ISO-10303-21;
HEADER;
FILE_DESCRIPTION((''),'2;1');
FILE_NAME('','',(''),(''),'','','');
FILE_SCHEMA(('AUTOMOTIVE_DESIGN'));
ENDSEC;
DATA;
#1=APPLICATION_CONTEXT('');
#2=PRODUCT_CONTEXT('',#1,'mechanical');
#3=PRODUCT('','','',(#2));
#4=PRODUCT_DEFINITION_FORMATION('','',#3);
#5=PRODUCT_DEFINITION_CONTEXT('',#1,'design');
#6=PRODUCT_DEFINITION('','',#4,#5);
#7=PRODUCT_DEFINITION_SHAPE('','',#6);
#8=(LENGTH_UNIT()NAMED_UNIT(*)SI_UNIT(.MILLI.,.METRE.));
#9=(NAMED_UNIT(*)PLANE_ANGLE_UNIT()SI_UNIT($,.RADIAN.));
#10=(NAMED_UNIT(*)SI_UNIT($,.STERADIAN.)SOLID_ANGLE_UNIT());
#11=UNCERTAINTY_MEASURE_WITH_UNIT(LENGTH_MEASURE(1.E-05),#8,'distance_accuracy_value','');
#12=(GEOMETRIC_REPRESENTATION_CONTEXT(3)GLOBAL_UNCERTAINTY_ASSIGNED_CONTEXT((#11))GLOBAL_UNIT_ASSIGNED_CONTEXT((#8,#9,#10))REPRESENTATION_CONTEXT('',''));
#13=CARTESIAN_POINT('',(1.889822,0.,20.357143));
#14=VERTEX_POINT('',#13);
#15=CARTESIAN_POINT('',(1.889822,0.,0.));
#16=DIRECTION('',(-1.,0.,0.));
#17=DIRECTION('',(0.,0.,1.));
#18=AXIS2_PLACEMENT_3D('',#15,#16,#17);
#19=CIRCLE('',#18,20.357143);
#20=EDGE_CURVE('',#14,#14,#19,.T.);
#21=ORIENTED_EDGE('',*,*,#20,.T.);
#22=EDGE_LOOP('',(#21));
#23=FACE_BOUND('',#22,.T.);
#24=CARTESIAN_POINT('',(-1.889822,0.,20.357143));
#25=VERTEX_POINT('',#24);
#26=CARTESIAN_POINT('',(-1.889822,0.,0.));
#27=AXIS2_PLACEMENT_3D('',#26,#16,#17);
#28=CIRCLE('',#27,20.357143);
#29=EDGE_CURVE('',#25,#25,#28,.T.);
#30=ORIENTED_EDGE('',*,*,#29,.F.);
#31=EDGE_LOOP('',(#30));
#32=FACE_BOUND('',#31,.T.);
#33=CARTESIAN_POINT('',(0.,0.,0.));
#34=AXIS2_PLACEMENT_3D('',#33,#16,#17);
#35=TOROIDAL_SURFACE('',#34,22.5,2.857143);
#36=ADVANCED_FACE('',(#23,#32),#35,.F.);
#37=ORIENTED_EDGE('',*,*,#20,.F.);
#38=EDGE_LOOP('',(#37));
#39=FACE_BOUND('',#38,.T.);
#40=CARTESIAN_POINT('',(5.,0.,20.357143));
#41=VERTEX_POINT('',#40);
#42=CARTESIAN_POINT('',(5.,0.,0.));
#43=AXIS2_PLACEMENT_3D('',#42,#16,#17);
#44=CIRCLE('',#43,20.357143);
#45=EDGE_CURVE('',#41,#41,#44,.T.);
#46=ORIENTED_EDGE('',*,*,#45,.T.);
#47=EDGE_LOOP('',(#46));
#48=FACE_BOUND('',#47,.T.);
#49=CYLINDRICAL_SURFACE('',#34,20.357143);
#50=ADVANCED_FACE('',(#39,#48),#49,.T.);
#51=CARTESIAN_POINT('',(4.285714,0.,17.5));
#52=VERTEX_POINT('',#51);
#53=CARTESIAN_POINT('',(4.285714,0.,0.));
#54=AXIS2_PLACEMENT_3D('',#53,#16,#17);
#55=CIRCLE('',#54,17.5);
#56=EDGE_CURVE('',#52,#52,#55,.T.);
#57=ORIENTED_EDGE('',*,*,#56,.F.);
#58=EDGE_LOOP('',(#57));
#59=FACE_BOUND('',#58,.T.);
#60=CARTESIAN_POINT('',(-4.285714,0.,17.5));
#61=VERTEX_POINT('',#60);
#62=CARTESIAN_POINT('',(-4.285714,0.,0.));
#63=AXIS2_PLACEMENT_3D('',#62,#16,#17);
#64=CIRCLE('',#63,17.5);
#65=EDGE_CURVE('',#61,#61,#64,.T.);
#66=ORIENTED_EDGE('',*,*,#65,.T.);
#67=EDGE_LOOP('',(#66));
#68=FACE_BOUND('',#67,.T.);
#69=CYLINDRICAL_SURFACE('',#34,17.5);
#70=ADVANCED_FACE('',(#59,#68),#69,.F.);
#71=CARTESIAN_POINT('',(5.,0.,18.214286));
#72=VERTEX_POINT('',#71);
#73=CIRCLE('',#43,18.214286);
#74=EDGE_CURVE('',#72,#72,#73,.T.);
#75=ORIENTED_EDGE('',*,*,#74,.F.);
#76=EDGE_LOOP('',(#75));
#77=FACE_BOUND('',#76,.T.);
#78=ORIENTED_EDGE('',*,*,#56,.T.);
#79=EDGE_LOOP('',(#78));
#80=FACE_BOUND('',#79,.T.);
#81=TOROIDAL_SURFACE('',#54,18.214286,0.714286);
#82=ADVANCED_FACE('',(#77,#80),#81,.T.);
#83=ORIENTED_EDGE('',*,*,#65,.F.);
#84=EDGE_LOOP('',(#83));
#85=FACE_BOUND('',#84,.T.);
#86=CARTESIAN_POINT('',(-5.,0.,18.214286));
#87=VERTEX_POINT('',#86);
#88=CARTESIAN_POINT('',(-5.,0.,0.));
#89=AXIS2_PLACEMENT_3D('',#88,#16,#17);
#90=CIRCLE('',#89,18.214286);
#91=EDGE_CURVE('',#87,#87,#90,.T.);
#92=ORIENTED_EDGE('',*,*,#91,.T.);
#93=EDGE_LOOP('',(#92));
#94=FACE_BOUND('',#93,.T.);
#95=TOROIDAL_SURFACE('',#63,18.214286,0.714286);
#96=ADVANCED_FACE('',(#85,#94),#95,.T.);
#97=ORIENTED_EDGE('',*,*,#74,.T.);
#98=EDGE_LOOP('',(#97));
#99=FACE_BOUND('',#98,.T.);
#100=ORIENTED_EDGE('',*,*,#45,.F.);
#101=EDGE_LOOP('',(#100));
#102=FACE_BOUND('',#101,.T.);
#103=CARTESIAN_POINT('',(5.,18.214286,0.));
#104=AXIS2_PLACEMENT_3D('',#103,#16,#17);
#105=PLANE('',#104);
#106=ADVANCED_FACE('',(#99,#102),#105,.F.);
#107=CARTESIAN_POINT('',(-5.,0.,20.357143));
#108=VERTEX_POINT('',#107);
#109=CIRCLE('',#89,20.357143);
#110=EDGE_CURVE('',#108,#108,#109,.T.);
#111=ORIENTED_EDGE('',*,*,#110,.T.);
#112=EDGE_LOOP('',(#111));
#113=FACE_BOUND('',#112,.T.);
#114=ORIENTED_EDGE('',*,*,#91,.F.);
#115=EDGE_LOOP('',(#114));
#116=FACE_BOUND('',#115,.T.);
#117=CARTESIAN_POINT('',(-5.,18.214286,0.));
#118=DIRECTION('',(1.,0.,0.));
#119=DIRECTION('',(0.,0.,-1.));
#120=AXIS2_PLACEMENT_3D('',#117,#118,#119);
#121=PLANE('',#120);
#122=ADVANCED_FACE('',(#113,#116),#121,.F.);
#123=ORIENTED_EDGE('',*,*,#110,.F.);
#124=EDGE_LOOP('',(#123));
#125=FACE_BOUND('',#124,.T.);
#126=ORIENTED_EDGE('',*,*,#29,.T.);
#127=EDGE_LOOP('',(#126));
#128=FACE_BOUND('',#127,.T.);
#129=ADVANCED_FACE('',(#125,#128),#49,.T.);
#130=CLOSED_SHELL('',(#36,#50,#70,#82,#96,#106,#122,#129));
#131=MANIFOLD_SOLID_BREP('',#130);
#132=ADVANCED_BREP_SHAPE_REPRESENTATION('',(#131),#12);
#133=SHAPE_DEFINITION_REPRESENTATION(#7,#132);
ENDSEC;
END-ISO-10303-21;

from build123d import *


with BuildPart() as part:
    # Esquisse1 → Base-Révolution (revolve)
    with BuildSketch(Plane.XY):
        with BuildLine():
            Line((-4.285714286, 17.5), (4.285714286, 17.5))
            ThreePointArc((4.285714286, 17.5), (4.790790558, 17.709209442), (5, 18.214285714))
            Line((5, 18.214285714), (5, 20.357142857))
            Line((5, 20.357142857), (1.889822365, 20.357142857))
            ThreePointArc((1.889822365, 20.357142857), (0, 19.642857143), (-1.889822365, 20.357142857))
            Line((-1.889822365, 20.357142857), (-5, 20.357142857))
            Line((-5, 20.357142857), (-5, 18.214285714))
            ThreePointArc((-5, 18.214285714), (-4.790790558, 17.709209442), (-4.285714286, 17.5))
        make_face()
    revolve(axis=Axis((0, 0, 0), (1, 0, 0)))


solid = part.part
